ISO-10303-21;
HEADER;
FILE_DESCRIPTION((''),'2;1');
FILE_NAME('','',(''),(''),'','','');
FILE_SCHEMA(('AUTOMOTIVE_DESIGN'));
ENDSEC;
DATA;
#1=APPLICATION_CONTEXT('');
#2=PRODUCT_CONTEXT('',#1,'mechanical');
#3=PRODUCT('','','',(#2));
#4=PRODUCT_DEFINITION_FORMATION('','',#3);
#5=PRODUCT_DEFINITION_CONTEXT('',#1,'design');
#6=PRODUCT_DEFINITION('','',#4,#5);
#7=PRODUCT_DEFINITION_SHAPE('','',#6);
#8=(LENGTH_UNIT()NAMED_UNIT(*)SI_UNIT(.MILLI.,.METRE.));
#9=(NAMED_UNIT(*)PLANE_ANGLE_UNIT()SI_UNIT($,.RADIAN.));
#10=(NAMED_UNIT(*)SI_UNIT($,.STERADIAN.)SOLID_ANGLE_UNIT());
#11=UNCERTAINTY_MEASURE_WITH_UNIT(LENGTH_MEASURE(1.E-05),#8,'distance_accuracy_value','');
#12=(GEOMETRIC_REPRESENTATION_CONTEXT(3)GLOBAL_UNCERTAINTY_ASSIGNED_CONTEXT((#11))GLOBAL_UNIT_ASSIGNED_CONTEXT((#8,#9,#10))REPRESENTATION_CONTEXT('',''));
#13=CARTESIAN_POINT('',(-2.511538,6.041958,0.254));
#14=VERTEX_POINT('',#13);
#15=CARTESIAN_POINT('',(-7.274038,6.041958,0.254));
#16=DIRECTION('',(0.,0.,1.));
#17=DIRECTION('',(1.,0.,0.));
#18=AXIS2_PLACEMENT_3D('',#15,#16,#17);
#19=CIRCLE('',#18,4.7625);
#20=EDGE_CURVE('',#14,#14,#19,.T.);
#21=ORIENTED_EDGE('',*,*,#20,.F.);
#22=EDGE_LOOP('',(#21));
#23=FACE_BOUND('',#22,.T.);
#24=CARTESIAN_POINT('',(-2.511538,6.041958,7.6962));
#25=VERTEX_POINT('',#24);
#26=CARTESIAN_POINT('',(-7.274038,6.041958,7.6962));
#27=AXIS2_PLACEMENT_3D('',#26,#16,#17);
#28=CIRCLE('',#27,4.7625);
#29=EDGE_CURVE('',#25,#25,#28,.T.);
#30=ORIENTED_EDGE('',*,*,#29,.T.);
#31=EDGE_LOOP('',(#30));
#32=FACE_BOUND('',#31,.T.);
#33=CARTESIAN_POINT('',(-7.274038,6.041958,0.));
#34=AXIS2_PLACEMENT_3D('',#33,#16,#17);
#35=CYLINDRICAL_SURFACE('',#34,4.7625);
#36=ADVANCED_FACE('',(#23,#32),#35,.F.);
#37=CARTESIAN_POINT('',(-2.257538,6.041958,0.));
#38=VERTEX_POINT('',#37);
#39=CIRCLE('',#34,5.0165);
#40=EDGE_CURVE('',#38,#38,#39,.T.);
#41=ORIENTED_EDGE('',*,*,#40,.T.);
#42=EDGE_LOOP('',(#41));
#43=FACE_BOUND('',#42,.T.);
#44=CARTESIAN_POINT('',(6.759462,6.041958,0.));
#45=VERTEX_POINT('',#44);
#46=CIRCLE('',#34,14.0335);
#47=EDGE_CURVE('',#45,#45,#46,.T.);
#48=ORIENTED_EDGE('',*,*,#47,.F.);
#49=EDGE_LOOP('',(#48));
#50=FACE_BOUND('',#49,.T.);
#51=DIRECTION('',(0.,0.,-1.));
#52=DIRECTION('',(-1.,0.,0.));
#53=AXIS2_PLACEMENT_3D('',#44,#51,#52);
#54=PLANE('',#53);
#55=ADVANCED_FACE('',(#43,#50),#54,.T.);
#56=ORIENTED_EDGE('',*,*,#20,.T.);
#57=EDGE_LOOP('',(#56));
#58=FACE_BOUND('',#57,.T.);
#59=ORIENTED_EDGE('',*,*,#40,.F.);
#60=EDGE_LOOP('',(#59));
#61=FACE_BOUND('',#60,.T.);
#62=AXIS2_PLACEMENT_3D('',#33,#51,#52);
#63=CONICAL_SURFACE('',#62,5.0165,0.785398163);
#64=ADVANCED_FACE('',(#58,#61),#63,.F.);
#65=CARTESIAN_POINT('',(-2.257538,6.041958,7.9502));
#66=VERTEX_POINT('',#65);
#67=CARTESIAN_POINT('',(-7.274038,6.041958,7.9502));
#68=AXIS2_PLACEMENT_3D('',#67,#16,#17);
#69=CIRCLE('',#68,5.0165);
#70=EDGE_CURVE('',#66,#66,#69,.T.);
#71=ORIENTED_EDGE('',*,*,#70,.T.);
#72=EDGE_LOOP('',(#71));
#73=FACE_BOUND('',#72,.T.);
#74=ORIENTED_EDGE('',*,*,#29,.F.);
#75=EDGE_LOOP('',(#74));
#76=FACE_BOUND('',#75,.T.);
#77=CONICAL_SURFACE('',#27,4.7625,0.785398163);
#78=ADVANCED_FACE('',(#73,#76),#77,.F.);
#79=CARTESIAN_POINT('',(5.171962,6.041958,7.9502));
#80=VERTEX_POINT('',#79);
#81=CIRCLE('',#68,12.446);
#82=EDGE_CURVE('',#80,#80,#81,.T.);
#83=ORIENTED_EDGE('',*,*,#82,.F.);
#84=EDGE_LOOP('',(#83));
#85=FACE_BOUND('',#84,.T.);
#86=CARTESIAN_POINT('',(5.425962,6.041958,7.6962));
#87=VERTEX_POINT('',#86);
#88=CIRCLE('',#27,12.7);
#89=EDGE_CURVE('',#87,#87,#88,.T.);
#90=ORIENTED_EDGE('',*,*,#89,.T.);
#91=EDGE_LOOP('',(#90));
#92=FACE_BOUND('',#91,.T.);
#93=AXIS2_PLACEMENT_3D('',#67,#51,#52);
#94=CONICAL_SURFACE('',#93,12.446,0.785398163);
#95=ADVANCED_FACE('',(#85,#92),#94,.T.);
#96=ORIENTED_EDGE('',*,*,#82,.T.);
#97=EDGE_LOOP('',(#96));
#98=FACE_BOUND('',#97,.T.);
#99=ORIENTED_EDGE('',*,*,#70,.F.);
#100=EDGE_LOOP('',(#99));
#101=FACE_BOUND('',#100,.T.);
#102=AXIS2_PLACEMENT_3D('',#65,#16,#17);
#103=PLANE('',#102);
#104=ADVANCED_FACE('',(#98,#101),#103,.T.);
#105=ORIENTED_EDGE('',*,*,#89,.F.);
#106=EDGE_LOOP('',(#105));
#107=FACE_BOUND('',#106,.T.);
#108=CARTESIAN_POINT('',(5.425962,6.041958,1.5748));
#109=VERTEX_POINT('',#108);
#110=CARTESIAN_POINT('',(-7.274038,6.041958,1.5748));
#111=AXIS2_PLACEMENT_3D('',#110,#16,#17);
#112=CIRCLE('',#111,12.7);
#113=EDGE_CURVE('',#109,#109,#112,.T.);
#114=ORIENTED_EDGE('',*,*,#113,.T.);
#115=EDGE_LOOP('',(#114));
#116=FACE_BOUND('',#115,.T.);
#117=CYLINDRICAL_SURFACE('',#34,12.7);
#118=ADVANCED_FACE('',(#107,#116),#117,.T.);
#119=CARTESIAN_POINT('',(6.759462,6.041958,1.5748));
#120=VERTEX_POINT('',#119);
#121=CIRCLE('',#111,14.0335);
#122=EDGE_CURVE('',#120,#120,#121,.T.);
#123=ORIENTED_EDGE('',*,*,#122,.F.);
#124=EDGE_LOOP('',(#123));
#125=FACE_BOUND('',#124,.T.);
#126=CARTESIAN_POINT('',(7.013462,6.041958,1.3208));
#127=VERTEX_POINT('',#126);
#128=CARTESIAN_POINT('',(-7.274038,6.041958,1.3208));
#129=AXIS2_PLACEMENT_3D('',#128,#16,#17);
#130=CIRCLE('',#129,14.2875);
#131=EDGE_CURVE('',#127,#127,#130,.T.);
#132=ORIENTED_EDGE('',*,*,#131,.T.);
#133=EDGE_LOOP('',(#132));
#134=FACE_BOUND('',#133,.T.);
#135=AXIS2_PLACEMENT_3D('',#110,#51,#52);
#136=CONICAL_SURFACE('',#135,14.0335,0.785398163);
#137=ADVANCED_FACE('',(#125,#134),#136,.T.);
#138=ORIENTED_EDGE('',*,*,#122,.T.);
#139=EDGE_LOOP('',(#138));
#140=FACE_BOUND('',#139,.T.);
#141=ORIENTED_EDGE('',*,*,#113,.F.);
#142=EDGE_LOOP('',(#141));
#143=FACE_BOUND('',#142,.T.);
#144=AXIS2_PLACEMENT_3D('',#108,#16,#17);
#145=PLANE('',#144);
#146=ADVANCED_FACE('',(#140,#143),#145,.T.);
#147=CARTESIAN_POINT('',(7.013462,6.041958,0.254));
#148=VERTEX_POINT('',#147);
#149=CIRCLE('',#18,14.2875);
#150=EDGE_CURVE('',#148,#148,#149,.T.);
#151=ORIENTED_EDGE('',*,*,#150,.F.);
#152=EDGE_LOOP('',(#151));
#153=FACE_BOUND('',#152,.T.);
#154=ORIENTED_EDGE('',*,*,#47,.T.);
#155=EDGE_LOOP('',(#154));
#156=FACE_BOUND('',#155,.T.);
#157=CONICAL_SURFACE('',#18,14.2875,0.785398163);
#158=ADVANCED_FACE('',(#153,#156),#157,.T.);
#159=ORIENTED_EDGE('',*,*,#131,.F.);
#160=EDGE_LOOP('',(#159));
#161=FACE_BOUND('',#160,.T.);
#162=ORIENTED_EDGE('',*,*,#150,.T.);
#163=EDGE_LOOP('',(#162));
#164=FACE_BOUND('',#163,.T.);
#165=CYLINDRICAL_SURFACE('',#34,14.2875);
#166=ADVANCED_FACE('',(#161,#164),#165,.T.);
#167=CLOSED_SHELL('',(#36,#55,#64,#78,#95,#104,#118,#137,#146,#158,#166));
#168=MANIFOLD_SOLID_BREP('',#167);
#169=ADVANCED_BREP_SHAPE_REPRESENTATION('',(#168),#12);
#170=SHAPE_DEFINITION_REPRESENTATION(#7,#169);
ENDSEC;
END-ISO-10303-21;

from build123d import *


with BuildPart() as part:
    # Sketch1 → Revolve1 (revolve)
    with BuildSketch(Plane(origin=(0, 6.041958042, 0), x_dir=(-1, 0, 0), z_dir=(0, 1, 0))):
        Polygon((-5.171961538, 7.9502), (-5.425961538, 7.6962), (-5.425961538, 1.5748), (-6.759461538, 1.5748), (-7.013461538, 1.3208), (-7.013461538, 0.254), (-6.759461538, 0), (2.257538462, 0), (2.511538462, 0.254), (2.511538462, 7.6962), (2.257538462, 7.9502), align=None)
    revolve(axis=Axis((-7.274038462, 6.041958042, 0), (0, 0, 1)))


solid = part.part
